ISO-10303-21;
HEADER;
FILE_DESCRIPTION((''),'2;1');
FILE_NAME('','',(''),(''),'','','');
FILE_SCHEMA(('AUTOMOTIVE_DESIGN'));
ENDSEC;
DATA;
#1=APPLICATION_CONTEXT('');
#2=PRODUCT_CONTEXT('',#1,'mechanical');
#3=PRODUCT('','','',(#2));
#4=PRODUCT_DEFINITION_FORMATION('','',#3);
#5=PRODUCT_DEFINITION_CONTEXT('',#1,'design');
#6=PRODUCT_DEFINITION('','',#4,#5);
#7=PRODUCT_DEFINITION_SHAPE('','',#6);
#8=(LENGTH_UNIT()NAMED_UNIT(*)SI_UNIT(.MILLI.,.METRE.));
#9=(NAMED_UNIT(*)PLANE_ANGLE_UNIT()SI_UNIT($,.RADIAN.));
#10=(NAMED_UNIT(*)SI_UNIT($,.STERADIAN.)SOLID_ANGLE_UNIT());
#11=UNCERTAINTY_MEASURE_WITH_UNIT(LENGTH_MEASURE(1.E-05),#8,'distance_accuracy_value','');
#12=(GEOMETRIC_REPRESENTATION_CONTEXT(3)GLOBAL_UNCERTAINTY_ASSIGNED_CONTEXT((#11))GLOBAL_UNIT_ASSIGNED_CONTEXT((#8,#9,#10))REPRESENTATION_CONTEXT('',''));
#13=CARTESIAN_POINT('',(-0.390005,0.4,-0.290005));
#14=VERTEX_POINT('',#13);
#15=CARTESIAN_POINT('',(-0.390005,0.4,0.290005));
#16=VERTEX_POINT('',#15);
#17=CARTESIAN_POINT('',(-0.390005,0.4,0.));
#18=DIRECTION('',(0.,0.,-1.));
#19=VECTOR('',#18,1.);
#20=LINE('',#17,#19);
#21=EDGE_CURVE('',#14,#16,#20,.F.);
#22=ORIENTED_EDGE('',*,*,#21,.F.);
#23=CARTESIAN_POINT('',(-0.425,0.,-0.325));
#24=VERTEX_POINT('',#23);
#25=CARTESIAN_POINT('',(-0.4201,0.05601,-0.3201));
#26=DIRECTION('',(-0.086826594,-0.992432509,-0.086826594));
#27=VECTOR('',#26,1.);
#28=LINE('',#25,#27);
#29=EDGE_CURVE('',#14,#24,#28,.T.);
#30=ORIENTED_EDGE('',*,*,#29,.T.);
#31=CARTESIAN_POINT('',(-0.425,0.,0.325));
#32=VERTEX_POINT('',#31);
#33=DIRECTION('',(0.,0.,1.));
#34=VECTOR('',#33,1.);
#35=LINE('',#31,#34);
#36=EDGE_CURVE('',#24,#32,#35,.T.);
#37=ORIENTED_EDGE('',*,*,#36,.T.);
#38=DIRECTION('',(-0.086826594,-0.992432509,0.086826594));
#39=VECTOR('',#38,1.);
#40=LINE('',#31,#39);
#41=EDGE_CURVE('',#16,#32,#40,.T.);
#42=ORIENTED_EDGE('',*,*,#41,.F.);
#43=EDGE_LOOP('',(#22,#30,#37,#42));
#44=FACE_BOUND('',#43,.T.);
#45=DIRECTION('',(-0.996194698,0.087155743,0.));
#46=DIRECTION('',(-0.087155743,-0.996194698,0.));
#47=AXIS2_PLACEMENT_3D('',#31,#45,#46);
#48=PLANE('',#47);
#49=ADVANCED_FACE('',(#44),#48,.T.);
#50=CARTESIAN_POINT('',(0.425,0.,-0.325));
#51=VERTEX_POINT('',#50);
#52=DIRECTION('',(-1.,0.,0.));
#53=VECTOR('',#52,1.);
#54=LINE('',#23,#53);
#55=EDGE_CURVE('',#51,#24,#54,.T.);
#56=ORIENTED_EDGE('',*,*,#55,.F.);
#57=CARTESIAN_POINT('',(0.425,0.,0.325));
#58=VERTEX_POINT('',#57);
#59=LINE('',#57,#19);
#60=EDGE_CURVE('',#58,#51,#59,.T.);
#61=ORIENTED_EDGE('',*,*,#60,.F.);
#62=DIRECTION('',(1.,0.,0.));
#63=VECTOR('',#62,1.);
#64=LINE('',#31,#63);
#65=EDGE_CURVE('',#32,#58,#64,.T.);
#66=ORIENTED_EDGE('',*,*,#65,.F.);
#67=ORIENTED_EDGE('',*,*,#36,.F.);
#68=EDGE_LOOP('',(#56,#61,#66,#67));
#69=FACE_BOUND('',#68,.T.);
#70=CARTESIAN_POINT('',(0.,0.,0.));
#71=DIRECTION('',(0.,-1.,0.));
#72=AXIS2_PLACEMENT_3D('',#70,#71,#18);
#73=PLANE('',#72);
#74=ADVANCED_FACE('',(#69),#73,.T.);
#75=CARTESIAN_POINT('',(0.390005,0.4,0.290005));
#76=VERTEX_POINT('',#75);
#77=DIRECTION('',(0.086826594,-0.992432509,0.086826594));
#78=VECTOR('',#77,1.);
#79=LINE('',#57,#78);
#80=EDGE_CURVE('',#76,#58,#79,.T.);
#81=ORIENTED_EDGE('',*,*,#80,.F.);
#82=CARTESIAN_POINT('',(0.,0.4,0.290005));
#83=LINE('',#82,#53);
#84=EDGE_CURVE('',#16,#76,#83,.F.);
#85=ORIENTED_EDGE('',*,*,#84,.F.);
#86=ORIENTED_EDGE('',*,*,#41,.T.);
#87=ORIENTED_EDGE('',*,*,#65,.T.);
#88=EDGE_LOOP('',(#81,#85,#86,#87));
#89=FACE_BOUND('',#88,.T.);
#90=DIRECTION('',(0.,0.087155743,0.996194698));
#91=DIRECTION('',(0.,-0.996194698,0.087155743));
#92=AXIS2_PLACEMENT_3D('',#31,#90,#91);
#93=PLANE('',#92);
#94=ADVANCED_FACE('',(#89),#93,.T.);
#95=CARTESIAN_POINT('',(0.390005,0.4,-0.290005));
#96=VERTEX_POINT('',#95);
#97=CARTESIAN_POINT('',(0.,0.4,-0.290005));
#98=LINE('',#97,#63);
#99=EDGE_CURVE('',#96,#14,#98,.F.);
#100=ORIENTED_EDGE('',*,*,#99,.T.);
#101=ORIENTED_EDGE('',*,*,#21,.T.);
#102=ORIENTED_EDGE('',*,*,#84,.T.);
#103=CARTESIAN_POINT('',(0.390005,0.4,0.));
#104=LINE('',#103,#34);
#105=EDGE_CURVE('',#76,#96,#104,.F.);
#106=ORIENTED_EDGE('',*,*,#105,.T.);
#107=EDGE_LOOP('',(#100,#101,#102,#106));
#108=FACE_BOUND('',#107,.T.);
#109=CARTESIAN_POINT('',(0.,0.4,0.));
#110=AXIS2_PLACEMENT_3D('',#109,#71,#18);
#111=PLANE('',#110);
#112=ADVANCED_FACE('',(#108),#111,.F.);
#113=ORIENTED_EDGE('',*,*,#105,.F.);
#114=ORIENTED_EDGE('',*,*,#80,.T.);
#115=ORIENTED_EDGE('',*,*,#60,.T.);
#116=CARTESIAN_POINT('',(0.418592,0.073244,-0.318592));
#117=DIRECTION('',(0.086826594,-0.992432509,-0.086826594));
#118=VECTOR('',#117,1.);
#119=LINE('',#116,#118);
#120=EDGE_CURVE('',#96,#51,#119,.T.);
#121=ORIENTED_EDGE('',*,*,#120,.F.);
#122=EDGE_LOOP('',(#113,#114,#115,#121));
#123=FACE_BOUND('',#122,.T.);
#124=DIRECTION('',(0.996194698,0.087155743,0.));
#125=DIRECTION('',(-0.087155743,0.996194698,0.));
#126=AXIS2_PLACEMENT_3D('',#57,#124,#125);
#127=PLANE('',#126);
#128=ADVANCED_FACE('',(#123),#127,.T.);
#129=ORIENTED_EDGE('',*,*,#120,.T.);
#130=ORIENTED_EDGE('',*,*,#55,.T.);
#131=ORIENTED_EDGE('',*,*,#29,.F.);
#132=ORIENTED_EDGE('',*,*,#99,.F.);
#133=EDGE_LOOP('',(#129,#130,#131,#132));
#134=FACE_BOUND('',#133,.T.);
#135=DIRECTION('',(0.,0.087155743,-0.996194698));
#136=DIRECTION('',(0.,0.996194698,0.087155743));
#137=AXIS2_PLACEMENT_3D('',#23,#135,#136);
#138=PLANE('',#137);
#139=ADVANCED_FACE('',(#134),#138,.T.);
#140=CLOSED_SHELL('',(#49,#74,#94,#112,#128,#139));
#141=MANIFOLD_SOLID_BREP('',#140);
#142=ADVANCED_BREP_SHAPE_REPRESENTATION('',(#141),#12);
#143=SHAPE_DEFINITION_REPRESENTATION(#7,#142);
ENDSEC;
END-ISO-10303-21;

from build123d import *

# Parameters (mm, degrees)
SKETCH1_W           = 0.85
SKETCH1_H           = 0.65
BOSS_EXTRUDE1_DEPTH = 0.4
BOSS_EXTRUDE1_TAPER = 5


with BuildPart() as part:
    # Sketch1 → Boss-Extrude1 (new body)
    with BuildSketch(Plane(origin=(0, 0, 0), x_dir=(1, 0, 0), z_dir=(0, 1, 0))):
        Rectangle(SKETCH1_W, SKETCH1_H)
    extrude(amount=BOSS_EXTRUDE1_DEPTH, taper=BOSS_EXTRUDE1_TAPER)


solid = part.part
